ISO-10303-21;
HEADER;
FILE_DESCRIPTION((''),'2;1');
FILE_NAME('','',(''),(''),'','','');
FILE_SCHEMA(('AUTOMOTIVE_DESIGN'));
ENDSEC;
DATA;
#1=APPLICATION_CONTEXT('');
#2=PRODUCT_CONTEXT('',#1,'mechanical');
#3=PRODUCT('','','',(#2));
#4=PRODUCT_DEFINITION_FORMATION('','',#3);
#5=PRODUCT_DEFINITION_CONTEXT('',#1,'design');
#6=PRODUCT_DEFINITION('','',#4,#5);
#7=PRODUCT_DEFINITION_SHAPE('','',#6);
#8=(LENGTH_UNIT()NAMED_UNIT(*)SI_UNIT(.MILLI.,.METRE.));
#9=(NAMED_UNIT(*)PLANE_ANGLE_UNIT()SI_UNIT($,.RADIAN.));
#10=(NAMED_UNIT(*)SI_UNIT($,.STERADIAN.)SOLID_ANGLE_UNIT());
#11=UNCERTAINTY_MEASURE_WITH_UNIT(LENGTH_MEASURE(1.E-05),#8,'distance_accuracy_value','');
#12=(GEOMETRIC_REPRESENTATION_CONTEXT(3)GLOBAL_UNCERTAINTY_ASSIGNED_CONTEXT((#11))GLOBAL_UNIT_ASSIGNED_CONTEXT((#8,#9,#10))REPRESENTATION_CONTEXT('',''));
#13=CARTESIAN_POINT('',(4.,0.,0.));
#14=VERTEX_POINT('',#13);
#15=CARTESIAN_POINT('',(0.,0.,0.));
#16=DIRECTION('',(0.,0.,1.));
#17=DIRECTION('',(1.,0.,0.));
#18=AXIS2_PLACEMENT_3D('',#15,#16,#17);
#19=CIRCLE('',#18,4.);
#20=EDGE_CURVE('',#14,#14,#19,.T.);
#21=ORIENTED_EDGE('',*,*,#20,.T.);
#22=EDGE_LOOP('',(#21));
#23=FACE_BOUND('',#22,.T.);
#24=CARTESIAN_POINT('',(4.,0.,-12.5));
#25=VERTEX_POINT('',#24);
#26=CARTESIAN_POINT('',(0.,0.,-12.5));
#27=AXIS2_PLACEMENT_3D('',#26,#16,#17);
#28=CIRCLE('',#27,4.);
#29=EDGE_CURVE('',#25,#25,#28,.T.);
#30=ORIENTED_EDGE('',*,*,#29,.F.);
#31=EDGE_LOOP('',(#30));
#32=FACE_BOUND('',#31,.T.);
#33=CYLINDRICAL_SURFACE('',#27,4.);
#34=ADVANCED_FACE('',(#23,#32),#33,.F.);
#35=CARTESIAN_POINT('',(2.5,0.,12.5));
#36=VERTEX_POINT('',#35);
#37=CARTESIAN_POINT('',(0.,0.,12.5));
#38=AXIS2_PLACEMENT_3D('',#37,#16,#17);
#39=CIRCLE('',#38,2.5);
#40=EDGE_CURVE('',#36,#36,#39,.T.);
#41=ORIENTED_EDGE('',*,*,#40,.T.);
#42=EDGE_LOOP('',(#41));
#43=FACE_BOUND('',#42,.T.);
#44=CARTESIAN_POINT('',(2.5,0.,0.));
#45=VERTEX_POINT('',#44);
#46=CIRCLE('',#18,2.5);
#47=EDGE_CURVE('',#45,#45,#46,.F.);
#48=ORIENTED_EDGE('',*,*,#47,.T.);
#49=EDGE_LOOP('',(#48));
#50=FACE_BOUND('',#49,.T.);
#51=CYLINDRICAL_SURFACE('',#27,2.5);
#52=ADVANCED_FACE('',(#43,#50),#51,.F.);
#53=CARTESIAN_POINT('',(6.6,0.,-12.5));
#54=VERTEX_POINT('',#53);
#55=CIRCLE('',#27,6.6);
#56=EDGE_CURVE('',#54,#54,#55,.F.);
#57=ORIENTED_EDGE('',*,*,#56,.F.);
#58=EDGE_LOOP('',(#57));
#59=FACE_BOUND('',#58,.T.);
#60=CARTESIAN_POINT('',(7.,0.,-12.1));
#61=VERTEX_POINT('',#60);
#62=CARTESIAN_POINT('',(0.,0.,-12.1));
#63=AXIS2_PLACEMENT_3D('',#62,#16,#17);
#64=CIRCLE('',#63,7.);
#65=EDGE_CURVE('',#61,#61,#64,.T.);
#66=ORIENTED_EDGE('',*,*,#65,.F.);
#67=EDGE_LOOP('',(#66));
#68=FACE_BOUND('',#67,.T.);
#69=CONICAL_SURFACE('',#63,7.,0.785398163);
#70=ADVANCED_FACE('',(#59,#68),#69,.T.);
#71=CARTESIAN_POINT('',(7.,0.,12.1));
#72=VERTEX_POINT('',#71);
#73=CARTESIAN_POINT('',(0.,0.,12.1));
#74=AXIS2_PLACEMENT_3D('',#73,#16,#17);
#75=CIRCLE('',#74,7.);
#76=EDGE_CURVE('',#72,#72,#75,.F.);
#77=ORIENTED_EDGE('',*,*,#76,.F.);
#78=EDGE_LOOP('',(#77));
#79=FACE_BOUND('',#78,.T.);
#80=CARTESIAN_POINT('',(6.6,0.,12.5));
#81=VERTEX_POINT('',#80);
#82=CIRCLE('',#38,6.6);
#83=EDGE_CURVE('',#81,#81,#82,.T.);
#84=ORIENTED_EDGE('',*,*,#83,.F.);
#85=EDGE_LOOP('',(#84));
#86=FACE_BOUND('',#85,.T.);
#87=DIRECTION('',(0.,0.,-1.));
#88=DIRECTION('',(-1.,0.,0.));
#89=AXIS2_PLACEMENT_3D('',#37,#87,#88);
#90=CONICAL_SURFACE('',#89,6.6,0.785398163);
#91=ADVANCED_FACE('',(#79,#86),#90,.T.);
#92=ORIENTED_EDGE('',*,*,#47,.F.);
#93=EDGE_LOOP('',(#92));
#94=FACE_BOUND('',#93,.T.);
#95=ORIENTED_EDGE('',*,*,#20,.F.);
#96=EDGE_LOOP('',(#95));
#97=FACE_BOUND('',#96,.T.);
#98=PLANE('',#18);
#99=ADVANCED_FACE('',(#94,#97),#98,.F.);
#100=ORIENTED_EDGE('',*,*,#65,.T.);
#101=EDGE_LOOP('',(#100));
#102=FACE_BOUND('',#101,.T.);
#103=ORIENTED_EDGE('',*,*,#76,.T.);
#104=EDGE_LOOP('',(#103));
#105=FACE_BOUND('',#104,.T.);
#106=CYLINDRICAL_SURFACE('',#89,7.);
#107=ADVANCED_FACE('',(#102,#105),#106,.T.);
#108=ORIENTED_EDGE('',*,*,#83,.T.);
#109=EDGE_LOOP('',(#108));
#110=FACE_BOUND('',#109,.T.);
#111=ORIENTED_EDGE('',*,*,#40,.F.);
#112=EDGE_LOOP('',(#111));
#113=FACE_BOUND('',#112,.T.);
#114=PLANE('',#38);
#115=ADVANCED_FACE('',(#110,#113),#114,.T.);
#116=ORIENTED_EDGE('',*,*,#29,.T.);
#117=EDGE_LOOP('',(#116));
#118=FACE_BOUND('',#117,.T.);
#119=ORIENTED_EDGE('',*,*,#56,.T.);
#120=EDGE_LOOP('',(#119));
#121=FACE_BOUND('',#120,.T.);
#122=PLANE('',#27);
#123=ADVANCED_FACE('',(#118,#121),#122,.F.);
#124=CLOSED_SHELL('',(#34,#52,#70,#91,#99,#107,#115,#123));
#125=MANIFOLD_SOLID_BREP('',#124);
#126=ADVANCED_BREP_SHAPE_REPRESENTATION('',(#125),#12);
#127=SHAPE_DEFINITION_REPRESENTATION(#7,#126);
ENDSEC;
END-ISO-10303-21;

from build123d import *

# Parameters (mm, degrees)
SKETCH1_R           = 7
BOSS_EXTRUDE1_DEPTH = 12.5
SKETCH2_R           = 2.5
CUT_EXTRUDE1_DEPTH  = 27.888659319
SKETCH3_R           = 4
CUT_EXTRUDE2_DEPTH  = 16.945218719
CHAMFER1_SIZE       = 0.4


with BuildPart() as part:
    # Sketch1 → Boss-Extrude1 (new, symmetric)
    with BuildSketch(Plane.XY):
        Circle(SKETCH1_R)
    extrude(amount=BOSS_EXTRUDE1_DEPTH, both=True)

    # Sketch2 → Cut-Extrude1 (cut, through all)
    with BuildSketch(Plane.XY.offset(12.5)):
        Circle(SKETCH2_R)
    extrude(amount=-CUT_EXTRUDE1_DEPTH, mode=Mode.SUBTRACT)

    # Sketch3 → Cut-Extrude2 (cut, through all)
    with BuildSketch(Plane.XY):
        Circle(SKETCH3_R)
    extrude(amount=-CUT_EXTRUDE2_DEPTH, mode=Mode.SUBTRACT)

    # Chamfer1
    chamfer1_edges = [part.edges().sort_by_distance(p)[0] for p in [
        (-7, 0, -12.5),
        (-7, 0, 12.5),
    ]]
    chamfer(chamfer1_edges, length=CHAMFER1_SIZE)


solid = part.part
